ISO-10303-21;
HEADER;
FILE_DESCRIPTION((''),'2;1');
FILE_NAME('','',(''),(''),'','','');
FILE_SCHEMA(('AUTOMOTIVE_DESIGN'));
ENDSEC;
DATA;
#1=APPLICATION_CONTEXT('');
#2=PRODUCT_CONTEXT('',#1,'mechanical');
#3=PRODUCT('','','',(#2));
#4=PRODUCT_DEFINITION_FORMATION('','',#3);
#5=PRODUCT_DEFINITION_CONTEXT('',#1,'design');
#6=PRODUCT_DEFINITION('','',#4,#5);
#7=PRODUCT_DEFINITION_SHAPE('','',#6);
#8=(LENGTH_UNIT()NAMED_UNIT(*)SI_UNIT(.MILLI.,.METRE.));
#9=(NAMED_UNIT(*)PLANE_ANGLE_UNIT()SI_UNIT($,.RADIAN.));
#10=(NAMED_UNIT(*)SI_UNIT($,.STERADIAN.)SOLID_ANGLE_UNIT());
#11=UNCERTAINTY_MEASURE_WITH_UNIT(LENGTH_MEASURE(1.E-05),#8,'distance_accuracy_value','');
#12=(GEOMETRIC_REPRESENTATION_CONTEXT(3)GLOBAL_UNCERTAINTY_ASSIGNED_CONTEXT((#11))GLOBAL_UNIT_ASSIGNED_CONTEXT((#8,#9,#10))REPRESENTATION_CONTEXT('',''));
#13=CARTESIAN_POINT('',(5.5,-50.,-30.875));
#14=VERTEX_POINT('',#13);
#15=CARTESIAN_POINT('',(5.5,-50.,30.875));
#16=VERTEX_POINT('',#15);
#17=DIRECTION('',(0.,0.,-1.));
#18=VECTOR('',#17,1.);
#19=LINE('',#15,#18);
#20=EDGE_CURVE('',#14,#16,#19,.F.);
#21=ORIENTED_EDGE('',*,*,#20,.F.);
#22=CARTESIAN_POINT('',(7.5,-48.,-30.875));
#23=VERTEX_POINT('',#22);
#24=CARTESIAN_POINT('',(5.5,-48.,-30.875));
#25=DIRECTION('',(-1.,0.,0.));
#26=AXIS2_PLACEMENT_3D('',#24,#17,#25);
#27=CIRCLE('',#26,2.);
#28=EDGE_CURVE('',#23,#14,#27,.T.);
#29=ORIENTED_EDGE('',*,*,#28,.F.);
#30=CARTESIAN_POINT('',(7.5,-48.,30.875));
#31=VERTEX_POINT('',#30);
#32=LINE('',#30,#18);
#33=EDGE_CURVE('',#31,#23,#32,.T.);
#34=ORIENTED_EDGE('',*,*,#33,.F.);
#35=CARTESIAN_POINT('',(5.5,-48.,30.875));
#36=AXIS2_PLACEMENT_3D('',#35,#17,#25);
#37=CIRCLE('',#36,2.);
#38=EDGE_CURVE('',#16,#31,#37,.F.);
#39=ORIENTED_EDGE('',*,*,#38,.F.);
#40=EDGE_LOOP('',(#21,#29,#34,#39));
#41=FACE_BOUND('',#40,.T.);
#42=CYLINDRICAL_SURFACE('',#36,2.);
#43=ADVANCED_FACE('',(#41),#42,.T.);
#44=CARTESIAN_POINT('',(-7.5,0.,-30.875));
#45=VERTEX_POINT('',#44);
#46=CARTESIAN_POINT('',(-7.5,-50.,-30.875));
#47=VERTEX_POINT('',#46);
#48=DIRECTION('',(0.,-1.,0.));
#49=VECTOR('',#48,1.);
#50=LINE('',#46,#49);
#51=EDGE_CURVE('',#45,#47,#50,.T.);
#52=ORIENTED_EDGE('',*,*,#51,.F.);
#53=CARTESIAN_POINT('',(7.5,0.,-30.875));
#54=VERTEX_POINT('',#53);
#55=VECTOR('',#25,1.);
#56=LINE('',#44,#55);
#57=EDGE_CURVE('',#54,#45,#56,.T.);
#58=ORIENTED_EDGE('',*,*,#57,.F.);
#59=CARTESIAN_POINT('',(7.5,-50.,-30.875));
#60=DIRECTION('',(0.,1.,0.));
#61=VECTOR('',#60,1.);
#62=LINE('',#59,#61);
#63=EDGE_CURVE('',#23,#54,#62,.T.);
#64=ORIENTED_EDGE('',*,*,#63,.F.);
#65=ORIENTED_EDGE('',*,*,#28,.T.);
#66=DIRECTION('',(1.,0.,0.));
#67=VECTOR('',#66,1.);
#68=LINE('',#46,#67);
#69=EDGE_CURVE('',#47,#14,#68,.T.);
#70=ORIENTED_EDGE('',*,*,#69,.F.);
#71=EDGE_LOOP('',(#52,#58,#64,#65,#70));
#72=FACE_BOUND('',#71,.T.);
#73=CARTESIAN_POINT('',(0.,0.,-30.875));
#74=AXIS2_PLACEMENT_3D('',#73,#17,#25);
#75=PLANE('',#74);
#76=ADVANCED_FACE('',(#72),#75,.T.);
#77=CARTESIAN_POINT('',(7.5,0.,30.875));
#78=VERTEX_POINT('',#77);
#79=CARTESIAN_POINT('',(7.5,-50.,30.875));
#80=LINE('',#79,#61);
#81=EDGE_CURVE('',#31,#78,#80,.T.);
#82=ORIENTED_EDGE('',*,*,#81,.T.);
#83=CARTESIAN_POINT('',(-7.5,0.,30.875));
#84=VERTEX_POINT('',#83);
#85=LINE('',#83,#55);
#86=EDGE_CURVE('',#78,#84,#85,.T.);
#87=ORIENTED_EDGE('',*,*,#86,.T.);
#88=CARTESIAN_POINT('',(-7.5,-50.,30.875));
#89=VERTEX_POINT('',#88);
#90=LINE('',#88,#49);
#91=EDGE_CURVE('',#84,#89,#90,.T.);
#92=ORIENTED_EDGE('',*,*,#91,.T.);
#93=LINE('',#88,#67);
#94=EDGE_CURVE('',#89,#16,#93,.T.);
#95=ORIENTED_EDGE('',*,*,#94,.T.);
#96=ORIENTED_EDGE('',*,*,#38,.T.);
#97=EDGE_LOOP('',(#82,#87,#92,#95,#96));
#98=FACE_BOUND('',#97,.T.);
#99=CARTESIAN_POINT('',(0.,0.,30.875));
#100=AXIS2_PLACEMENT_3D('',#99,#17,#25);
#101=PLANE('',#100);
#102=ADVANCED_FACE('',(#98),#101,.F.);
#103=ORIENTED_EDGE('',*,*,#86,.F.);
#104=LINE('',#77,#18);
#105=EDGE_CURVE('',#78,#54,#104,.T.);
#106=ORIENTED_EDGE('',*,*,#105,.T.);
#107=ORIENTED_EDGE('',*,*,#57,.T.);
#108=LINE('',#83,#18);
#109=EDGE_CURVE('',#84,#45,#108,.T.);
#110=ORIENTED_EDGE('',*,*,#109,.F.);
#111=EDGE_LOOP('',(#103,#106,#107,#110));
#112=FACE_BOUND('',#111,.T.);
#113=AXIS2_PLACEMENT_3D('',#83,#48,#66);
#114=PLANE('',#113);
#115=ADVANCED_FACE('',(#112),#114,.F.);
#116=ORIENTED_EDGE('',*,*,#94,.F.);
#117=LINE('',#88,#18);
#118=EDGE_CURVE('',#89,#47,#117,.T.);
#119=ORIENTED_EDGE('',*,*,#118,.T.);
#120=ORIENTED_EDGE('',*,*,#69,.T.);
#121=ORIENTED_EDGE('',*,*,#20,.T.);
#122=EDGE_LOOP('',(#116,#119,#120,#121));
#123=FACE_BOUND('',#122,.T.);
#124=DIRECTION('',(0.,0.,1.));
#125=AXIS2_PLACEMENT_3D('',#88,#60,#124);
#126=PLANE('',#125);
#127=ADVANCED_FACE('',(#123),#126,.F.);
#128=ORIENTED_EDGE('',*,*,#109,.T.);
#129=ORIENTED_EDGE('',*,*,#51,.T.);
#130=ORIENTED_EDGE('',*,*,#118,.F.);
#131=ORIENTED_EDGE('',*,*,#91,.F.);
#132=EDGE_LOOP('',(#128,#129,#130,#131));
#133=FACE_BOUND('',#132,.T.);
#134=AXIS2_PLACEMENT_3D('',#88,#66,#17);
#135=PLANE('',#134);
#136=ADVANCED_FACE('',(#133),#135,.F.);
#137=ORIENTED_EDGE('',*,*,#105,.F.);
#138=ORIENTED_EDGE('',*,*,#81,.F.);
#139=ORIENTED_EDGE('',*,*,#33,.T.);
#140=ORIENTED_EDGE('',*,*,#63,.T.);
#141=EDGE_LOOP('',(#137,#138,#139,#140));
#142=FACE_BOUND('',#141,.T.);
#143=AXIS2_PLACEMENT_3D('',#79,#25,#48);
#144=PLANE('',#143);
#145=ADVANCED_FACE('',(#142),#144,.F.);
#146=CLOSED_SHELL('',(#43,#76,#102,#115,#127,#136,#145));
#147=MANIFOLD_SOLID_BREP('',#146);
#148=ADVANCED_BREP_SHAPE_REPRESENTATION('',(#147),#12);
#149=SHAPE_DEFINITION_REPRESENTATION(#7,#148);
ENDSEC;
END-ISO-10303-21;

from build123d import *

# Parameters (mm, degrees)
SKETCH1_W           = 15
SKETCH1_H           = 50
BOSS_EXTRUDE1_DEPTH = 30.875
FILLET1_R           = 2


with BuildPart() as part:
    # Sketch1 → Boss-Extrude1 (new, symmetric)
    with BuildSketch(Plane.XY):
        with Locations((0, -25)):
            Rectangle(SKETCH1_W, SKETCH1_H)
    extrude(amount=BOSS_EXTRUDE1_DEPTH, both=True)

    # Fillet1
    fillet1_edges = [part.edges().sort_by_distance(p)[0] for p in [
        (7.5, -50, 0),
    ]]
    fillet(fillet1_edges, radius=FILLET1_R)


solid = part.part
